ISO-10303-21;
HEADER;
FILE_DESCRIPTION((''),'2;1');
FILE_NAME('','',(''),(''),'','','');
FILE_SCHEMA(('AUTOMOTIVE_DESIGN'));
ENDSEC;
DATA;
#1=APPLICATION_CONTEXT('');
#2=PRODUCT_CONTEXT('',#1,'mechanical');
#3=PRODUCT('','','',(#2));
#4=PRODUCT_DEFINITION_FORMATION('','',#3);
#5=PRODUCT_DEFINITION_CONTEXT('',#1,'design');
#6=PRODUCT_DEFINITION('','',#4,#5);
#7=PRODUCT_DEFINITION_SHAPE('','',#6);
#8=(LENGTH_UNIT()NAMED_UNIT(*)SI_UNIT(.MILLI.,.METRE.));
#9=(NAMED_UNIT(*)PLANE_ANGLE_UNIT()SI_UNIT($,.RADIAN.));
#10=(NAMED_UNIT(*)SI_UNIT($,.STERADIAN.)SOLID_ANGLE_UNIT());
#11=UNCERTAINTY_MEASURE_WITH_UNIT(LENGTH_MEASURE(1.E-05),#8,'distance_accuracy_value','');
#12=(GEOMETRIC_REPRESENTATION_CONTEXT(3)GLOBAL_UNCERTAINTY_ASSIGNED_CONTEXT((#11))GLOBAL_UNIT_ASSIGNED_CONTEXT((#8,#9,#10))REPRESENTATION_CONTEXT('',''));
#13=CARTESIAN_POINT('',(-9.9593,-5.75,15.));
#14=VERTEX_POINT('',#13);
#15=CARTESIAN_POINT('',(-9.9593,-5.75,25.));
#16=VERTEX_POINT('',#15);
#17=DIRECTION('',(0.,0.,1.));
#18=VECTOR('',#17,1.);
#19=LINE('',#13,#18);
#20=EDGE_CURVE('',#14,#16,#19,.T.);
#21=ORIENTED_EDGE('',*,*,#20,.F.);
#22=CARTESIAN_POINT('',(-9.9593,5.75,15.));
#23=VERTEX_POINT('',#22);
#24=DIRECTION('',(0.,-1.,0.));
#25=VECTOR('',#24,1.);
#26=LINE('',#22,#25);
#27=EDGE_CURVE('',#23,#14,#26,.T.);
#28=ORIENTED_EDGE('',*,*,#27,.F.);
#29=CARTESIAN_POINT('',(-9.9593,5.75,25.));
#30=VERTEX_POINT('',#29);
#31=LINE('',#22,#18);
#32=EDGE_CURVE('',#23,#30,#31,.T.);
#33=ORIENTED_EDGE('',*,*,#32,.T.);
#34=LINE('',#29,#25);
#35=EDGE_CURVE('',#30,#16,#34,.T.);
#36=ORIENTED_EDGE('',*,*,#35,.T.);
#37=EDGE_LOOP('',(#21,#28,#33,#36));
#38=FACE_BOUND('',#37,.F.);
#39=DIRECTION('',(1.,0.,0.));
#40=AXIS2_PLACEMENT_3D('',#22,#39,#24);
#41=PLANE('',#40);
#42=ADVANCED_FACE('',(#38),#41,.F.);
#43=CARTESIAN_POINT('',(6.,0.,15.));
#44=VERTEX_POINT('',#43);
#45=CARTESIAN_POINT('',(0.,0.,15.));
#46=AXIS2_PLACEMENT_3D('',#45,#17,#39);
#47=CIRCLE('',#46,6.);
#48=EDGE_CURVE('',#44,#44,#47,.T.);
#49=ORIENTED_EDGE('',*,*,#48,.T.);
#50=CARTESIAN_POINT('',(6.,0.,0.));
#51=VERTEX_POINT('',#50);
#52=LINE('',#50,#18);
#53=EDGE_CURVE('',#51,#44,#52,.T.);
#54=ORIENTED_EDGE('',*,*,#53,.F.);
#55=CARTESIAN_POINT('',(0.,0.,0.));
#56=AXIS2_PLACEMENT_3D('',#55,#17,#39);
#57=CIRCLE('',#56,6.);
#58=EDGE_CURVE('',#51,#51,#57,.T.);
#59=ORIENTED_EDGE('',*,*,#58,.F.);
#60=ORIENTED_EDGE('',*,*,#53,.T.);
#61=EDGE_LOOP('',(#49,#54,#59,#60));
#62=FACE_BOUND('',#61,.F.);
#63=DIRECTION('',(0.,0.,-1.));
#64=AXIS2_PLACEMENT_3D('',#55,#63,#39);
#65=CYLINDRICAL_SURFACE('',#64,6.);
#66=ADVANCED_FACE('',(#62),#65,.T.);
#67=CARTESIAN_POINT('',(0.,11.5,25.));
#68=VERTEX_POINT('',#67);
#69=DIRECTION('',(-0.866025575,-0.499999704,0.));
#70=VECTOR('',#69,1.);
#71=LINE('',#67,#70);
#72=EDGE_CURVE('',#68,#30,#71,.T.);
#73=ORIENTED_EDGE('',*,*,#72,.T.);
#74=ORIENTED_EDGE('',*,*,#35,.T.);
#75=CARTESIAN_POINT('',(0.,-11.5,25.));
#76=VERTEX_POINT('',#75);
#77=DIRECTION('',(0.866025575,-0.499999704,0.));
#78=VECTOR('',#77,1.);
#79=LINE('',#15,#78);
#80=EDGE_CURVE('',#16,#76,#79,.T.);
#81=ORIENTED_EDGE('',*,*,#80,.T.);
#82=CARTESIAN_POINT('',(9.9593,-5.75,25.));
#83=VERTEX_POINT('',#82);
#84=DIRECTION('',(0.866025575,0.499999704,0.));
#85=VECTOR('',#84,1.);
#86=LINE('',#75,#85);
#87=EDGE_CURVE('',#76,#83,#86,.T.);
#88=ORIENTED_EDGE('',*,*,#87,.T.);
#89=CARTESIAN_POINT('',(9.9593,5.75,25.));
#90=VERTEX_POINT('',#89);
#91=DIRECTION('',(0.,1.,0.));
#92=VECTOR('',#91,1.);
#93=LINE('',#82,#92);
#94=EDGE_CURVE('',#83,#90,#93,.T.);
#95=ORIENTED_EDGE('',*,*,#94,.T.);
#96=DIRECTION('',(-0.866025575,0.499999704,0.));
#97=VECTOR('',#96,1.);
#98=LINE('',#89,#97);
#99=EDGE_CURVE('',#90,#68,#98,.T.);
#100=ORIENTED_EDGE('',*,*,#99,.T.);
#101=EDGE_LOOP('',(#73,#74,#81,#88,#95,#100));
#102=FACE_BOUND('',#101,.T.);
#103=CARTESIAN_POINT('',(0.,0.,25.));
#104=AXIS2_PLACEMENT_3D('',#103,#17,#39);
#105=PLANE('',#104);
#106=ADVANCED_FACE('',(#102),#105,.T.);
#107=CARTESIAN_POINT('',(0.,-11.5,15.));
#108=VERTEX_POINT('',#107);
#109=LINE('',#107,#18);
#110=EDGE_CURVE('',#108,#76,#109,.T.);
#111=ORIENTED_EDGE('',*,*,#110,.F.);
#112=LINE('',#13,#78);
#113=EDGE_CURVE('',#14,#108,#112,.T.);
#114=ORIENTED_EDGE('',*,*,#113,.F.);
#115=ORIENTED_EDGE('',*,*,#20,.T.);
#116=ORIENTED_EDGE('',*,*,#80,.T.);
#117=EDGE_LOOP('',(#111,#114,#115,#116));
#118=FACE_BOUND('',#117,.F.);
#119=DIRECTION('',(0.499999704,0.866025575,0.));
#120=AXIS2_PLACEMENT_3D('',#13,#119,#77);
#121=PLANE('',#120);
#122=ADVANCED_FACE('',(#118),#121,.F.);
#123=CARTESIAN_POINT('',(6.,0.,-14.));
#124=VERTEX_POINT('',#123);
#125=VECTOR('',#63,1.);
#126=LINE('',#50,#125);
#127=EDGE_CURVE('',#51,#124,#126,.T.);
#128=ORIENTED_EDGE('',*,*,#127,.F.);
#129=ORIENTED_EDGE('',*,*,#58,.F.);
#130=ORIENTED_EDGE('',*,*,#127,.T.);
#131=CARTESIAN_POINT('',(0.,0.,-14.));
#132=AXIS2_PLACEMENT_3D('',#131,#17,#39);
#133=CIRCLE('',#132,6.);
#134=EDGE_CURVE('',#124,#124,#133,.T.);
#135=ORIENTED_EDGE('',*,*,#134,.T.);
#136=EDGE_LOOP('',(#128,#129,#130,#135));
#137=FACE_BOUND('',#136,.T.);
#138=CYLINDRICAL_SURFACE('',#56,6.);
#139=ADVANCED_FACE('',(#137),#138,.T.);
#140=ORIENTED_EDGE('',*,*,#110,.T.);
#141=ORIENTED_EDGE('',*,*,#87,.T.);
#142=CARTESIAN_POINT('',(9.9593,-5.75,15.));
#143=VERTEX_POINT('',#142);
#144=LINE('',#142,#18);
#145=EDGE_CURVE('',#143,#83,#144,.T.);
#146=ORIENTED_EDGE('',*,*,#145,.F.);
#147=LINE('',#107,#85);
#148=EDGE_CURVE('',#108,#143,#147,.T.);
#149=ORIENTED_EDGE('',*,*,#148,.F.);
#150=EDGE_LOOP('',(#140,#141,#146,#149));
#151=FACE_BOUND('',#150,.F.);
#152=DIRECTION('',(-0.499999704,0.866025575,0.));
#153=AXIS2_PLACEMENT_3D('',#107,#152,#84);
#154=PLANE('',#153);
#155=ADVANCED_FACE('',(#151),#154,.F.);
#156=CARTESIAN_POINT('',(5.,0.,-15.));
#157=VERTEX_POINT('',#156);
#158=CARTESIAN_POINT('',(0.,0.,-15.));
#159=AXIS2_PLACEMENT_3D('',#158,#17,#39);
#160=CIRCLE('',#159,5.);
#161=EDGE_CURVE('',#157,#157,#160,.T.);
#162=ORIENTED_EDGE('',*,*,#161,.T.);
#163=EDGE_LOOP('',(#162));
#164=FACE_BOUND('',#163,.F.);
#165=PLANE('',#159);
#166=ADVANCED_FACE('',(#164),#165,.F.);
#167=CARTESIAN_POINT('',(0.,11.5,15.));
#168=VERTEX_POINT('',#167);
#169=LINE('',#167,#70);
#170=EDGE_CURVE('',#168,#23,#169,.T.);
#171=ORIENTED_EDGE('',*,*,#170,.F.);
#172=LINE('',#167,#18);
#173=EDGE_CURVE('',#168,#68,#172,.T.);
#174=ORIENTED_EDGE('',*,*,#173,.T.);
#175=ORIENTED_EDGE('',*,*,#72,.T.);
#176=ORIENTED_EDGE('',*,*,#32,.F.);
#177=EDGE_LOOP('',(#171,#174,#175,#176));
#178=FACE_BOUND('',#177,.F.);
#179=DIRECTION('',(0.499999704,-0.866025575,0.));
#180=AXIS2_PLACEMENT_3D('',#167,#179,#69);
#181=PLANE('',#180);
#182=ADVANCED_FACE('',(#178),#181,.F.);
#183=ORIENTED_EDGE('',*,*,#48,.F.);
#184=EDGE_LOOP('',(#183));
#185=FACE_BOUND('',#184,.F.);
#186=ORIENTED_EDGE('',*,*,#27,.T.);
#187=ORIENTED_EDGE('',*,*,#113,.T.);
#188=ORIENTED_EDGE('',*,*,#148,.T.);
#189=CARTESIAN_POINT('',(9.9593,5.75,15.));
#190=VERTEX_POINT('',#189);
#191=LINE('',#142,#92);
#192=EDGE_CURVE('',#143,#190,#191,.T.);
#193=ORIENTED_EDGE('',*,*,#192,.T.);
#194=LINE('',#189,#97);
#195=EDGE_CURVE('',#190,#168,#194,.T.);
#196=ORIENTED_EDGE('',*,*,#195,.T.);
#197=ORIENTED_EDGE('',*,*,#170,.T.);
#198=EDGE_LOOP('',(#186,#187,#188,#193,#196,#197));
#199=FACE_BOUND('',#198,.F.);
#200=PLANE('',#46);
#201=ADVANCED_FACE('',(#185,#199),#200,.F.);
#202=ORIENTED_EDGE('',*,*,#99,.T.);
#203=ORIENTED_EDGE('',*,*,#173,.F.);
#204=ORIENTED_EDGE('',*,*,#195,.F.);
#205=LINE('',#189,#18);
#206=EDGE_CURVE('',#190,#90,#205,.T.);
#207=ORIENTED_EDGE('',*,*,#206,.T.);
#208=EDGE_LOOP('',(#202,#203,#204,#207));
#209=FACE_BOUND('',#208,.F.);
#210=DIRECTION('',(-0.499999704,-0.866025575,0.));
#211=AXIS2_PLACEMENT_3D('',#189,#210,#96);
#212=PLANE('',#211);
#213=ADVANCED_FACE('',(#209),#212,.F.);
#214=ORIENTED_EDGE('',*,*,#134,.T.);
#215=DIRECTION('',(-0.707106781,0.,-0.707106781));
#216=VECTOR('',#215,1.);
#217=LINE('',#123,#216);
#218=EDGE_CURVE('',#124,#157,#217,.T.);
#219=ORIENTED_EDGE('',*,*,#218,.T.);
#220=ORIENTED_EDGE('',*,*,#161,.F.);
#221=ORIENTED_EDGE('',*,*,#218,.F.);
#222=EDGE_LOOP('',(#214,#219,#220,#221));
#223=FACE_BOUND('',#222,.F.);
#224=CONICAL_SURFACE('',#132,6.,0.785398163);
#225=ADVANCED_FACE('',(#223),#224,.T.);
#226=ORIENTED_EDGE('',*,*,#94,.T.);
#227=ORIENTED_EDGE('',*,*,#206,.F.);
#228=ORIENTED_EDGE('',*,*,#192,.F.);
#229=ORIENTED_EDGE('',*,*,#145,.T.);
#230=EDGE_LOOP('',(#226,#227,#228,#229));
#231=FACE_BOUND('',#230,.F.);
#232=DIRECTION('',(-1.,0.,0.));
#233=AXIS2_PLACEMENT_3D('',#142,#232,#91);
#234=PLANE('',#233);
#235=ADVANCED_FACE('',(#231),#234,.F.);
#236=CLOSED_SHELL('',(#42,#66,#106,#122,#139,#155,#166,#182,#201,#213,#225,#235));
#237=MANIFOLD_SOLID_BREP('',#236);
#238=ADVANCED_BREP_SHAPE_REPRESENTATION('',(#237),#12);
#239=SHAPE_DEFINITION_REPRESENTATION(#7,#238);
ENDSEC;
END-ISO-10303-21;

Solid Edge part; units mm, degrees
sketch "Sketch1" plane through (0, 0, 0) normal (0, 0, 1) x (1, 0, 0)
  circle A0 centre (0, 0) radius 6
  dimension "D1" = 12
extrude "Protrusion1" add sketch "Sketch1" along normal mid plane 30
sketch "Sketch2" plane through (0, 0, 15) normal (0, 0, 1) x (1, 0, 0)
  line L0 (-9.9593, 5.75) -> (-9.9593, -5.75)
  line L1 (-9.9593, -5.75) -> (0, -11.5)
  line L2 (0, -11.5) -> (9.9593, -5.75)
  line L3 (9.9593, -5.75) -> (9.9593, 5.75)
  line L4 (9.9593, 5.75) -> (0, 11.5)
  line L5 (0, 11.5) -> (-9.9593, 5.75)
  dimension "D1" = 23
extrude "Protrusion2" add sketch "Sketch2" along normal blind 10
chamfer "Chamfer1" distance 1 angle 45 1 edges at (-6, 0, -15)
properties material "알루미늄, 1060"
